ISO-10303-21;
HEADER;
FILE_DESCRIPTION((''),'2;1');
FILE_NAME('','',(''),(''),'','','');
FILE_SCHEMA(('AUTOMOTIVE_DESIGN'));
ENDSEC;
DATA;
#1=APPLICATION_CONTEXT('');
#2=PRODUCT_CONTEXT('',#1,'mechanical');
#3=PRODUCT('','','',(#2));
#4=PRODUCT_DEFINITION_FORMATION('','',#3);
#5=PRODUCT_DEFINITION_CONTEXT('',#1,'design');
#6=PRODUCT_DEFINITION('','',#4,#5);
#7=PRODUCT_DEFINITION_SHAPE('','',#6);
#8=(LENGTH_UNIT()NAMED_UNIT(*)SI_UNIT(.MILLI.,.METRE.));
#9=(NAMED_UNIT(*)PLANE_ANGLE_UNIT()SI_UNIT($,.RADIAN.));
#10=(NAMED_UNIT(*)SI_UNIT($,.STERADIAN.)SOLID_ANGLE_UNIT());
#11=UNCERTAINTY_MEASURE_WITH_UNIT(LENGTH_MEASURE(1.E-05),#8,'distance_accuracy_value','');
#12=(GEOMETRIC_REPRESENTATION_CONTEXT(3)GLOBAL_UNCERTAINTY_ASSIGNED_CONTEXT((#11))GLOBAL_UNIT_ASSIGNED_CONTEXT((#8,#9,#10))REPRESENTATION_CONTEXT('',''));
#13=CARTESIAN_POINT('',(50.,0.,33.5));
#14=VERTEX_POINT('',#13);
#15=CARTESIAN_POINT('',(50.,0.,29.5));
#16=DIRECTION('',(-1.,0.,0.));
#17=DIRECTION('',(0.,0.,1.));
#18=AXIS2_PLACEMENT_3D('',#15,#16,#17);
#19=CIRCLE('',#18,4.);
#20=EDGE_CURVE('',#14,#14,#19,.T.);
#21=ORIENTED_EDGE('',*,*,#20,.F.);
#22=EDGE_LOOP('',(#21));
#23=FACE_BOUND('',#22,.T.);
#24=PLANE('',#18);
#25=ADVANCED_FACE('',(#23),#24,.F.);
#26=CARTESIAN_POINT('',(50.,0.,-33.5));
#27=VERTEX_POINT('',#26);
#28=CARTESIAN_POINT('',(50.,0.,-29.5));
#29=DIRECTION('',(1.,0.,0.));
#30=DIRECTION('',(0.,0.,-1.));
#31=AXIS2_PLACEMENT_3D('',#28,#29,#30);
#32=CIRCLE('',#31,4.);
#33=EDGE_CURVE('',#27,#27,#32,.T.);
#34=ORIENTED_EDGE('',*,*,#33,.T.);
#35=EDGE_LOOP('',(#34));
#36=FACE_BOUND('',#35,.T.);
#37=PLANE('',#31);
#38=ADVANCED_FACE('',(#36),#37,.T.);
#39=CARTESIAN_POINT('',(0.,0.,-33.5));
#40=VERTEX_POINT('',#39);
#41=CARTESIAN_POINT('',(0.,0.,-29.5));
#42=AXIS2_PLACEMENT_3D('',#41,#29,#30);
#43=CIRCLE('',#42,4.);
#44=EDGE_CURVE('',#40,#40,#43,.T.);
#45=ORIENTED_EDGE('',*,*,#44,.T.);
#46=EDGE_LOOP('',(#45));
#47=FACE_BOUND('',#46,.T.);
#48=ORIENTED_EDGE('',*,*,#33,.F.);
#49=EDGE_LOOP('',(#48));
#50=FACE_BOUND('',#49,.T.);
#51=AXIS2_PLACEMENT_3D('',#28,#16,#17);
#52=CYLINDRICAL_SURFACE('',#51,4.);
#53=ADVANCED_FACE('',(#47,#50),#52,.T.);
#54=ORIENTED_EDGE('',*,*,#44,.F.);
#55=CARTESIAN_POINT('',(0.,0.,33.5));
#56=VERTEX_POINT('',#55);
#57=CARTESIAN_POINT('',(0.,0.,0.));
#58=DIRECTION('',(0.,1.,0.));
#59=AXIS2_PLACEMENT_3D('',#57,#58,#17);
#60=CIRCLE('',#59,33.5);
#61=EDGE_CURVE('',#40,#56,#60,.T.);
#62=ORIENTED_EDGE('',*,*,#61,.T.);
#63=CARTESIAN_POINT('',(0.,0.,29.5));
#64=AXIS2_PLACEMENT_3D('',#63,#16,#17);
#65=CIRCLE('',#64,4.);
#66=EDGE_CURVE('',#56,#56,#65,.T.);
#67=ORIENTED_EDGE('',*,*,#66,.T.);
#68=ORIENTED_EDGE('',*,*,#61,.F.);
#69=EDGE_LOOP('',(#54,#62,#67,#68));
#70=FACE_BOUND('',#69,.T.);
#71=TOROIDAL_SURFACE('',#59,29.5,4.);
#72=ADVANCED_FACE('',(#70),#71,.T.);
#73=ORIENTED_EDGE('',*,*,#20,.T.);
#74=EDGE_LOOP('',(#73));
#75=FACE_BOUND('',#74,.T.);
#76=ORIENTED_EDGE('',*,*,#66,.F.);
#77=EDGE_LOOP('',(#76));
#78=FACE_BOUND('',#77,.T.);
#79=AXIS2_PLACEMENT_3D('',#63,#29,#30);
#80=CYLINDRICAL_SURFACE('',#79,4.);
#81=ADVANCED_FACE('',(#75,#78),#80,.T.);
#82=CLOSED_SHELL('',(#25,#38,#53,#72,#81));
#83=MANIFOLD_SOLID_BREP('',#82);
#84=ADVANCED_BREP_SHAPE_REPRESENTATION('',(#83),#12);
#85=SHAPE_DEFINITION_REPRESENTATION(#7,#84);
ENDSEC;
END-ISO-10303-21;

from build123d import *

# Parameters (mm, degrees)
SWEEP2_PROFILE_R = 4


with BuildPart() as part:
    # Sweep2: sweep along a path in Sketch2
    with BuildLine(Plane(origin=(0, 0, 0), x_dir=(1, 0, 0), z_dir=(0, 1, 0))) as sweep2_path:
        Line((50, 29.5), (0, 29.5))
        ThreePointArc((0, 29.5), (-29.5, 0), (0, -29.5))
        Line((0, -29.5), (50, -29.5))
    # Sweep2 profile (on start of the path) → Sweep2 (sweep)
    with BuildSketch(Plane(origin=(50, 0, -29.5), x_dir=(0, 0, -1), z_dir=(-1, 0, 0))):
        Circle(SWEEP2_PROFILE_R)
    sweep(path=sweep2_path.line)


solid = part.part
